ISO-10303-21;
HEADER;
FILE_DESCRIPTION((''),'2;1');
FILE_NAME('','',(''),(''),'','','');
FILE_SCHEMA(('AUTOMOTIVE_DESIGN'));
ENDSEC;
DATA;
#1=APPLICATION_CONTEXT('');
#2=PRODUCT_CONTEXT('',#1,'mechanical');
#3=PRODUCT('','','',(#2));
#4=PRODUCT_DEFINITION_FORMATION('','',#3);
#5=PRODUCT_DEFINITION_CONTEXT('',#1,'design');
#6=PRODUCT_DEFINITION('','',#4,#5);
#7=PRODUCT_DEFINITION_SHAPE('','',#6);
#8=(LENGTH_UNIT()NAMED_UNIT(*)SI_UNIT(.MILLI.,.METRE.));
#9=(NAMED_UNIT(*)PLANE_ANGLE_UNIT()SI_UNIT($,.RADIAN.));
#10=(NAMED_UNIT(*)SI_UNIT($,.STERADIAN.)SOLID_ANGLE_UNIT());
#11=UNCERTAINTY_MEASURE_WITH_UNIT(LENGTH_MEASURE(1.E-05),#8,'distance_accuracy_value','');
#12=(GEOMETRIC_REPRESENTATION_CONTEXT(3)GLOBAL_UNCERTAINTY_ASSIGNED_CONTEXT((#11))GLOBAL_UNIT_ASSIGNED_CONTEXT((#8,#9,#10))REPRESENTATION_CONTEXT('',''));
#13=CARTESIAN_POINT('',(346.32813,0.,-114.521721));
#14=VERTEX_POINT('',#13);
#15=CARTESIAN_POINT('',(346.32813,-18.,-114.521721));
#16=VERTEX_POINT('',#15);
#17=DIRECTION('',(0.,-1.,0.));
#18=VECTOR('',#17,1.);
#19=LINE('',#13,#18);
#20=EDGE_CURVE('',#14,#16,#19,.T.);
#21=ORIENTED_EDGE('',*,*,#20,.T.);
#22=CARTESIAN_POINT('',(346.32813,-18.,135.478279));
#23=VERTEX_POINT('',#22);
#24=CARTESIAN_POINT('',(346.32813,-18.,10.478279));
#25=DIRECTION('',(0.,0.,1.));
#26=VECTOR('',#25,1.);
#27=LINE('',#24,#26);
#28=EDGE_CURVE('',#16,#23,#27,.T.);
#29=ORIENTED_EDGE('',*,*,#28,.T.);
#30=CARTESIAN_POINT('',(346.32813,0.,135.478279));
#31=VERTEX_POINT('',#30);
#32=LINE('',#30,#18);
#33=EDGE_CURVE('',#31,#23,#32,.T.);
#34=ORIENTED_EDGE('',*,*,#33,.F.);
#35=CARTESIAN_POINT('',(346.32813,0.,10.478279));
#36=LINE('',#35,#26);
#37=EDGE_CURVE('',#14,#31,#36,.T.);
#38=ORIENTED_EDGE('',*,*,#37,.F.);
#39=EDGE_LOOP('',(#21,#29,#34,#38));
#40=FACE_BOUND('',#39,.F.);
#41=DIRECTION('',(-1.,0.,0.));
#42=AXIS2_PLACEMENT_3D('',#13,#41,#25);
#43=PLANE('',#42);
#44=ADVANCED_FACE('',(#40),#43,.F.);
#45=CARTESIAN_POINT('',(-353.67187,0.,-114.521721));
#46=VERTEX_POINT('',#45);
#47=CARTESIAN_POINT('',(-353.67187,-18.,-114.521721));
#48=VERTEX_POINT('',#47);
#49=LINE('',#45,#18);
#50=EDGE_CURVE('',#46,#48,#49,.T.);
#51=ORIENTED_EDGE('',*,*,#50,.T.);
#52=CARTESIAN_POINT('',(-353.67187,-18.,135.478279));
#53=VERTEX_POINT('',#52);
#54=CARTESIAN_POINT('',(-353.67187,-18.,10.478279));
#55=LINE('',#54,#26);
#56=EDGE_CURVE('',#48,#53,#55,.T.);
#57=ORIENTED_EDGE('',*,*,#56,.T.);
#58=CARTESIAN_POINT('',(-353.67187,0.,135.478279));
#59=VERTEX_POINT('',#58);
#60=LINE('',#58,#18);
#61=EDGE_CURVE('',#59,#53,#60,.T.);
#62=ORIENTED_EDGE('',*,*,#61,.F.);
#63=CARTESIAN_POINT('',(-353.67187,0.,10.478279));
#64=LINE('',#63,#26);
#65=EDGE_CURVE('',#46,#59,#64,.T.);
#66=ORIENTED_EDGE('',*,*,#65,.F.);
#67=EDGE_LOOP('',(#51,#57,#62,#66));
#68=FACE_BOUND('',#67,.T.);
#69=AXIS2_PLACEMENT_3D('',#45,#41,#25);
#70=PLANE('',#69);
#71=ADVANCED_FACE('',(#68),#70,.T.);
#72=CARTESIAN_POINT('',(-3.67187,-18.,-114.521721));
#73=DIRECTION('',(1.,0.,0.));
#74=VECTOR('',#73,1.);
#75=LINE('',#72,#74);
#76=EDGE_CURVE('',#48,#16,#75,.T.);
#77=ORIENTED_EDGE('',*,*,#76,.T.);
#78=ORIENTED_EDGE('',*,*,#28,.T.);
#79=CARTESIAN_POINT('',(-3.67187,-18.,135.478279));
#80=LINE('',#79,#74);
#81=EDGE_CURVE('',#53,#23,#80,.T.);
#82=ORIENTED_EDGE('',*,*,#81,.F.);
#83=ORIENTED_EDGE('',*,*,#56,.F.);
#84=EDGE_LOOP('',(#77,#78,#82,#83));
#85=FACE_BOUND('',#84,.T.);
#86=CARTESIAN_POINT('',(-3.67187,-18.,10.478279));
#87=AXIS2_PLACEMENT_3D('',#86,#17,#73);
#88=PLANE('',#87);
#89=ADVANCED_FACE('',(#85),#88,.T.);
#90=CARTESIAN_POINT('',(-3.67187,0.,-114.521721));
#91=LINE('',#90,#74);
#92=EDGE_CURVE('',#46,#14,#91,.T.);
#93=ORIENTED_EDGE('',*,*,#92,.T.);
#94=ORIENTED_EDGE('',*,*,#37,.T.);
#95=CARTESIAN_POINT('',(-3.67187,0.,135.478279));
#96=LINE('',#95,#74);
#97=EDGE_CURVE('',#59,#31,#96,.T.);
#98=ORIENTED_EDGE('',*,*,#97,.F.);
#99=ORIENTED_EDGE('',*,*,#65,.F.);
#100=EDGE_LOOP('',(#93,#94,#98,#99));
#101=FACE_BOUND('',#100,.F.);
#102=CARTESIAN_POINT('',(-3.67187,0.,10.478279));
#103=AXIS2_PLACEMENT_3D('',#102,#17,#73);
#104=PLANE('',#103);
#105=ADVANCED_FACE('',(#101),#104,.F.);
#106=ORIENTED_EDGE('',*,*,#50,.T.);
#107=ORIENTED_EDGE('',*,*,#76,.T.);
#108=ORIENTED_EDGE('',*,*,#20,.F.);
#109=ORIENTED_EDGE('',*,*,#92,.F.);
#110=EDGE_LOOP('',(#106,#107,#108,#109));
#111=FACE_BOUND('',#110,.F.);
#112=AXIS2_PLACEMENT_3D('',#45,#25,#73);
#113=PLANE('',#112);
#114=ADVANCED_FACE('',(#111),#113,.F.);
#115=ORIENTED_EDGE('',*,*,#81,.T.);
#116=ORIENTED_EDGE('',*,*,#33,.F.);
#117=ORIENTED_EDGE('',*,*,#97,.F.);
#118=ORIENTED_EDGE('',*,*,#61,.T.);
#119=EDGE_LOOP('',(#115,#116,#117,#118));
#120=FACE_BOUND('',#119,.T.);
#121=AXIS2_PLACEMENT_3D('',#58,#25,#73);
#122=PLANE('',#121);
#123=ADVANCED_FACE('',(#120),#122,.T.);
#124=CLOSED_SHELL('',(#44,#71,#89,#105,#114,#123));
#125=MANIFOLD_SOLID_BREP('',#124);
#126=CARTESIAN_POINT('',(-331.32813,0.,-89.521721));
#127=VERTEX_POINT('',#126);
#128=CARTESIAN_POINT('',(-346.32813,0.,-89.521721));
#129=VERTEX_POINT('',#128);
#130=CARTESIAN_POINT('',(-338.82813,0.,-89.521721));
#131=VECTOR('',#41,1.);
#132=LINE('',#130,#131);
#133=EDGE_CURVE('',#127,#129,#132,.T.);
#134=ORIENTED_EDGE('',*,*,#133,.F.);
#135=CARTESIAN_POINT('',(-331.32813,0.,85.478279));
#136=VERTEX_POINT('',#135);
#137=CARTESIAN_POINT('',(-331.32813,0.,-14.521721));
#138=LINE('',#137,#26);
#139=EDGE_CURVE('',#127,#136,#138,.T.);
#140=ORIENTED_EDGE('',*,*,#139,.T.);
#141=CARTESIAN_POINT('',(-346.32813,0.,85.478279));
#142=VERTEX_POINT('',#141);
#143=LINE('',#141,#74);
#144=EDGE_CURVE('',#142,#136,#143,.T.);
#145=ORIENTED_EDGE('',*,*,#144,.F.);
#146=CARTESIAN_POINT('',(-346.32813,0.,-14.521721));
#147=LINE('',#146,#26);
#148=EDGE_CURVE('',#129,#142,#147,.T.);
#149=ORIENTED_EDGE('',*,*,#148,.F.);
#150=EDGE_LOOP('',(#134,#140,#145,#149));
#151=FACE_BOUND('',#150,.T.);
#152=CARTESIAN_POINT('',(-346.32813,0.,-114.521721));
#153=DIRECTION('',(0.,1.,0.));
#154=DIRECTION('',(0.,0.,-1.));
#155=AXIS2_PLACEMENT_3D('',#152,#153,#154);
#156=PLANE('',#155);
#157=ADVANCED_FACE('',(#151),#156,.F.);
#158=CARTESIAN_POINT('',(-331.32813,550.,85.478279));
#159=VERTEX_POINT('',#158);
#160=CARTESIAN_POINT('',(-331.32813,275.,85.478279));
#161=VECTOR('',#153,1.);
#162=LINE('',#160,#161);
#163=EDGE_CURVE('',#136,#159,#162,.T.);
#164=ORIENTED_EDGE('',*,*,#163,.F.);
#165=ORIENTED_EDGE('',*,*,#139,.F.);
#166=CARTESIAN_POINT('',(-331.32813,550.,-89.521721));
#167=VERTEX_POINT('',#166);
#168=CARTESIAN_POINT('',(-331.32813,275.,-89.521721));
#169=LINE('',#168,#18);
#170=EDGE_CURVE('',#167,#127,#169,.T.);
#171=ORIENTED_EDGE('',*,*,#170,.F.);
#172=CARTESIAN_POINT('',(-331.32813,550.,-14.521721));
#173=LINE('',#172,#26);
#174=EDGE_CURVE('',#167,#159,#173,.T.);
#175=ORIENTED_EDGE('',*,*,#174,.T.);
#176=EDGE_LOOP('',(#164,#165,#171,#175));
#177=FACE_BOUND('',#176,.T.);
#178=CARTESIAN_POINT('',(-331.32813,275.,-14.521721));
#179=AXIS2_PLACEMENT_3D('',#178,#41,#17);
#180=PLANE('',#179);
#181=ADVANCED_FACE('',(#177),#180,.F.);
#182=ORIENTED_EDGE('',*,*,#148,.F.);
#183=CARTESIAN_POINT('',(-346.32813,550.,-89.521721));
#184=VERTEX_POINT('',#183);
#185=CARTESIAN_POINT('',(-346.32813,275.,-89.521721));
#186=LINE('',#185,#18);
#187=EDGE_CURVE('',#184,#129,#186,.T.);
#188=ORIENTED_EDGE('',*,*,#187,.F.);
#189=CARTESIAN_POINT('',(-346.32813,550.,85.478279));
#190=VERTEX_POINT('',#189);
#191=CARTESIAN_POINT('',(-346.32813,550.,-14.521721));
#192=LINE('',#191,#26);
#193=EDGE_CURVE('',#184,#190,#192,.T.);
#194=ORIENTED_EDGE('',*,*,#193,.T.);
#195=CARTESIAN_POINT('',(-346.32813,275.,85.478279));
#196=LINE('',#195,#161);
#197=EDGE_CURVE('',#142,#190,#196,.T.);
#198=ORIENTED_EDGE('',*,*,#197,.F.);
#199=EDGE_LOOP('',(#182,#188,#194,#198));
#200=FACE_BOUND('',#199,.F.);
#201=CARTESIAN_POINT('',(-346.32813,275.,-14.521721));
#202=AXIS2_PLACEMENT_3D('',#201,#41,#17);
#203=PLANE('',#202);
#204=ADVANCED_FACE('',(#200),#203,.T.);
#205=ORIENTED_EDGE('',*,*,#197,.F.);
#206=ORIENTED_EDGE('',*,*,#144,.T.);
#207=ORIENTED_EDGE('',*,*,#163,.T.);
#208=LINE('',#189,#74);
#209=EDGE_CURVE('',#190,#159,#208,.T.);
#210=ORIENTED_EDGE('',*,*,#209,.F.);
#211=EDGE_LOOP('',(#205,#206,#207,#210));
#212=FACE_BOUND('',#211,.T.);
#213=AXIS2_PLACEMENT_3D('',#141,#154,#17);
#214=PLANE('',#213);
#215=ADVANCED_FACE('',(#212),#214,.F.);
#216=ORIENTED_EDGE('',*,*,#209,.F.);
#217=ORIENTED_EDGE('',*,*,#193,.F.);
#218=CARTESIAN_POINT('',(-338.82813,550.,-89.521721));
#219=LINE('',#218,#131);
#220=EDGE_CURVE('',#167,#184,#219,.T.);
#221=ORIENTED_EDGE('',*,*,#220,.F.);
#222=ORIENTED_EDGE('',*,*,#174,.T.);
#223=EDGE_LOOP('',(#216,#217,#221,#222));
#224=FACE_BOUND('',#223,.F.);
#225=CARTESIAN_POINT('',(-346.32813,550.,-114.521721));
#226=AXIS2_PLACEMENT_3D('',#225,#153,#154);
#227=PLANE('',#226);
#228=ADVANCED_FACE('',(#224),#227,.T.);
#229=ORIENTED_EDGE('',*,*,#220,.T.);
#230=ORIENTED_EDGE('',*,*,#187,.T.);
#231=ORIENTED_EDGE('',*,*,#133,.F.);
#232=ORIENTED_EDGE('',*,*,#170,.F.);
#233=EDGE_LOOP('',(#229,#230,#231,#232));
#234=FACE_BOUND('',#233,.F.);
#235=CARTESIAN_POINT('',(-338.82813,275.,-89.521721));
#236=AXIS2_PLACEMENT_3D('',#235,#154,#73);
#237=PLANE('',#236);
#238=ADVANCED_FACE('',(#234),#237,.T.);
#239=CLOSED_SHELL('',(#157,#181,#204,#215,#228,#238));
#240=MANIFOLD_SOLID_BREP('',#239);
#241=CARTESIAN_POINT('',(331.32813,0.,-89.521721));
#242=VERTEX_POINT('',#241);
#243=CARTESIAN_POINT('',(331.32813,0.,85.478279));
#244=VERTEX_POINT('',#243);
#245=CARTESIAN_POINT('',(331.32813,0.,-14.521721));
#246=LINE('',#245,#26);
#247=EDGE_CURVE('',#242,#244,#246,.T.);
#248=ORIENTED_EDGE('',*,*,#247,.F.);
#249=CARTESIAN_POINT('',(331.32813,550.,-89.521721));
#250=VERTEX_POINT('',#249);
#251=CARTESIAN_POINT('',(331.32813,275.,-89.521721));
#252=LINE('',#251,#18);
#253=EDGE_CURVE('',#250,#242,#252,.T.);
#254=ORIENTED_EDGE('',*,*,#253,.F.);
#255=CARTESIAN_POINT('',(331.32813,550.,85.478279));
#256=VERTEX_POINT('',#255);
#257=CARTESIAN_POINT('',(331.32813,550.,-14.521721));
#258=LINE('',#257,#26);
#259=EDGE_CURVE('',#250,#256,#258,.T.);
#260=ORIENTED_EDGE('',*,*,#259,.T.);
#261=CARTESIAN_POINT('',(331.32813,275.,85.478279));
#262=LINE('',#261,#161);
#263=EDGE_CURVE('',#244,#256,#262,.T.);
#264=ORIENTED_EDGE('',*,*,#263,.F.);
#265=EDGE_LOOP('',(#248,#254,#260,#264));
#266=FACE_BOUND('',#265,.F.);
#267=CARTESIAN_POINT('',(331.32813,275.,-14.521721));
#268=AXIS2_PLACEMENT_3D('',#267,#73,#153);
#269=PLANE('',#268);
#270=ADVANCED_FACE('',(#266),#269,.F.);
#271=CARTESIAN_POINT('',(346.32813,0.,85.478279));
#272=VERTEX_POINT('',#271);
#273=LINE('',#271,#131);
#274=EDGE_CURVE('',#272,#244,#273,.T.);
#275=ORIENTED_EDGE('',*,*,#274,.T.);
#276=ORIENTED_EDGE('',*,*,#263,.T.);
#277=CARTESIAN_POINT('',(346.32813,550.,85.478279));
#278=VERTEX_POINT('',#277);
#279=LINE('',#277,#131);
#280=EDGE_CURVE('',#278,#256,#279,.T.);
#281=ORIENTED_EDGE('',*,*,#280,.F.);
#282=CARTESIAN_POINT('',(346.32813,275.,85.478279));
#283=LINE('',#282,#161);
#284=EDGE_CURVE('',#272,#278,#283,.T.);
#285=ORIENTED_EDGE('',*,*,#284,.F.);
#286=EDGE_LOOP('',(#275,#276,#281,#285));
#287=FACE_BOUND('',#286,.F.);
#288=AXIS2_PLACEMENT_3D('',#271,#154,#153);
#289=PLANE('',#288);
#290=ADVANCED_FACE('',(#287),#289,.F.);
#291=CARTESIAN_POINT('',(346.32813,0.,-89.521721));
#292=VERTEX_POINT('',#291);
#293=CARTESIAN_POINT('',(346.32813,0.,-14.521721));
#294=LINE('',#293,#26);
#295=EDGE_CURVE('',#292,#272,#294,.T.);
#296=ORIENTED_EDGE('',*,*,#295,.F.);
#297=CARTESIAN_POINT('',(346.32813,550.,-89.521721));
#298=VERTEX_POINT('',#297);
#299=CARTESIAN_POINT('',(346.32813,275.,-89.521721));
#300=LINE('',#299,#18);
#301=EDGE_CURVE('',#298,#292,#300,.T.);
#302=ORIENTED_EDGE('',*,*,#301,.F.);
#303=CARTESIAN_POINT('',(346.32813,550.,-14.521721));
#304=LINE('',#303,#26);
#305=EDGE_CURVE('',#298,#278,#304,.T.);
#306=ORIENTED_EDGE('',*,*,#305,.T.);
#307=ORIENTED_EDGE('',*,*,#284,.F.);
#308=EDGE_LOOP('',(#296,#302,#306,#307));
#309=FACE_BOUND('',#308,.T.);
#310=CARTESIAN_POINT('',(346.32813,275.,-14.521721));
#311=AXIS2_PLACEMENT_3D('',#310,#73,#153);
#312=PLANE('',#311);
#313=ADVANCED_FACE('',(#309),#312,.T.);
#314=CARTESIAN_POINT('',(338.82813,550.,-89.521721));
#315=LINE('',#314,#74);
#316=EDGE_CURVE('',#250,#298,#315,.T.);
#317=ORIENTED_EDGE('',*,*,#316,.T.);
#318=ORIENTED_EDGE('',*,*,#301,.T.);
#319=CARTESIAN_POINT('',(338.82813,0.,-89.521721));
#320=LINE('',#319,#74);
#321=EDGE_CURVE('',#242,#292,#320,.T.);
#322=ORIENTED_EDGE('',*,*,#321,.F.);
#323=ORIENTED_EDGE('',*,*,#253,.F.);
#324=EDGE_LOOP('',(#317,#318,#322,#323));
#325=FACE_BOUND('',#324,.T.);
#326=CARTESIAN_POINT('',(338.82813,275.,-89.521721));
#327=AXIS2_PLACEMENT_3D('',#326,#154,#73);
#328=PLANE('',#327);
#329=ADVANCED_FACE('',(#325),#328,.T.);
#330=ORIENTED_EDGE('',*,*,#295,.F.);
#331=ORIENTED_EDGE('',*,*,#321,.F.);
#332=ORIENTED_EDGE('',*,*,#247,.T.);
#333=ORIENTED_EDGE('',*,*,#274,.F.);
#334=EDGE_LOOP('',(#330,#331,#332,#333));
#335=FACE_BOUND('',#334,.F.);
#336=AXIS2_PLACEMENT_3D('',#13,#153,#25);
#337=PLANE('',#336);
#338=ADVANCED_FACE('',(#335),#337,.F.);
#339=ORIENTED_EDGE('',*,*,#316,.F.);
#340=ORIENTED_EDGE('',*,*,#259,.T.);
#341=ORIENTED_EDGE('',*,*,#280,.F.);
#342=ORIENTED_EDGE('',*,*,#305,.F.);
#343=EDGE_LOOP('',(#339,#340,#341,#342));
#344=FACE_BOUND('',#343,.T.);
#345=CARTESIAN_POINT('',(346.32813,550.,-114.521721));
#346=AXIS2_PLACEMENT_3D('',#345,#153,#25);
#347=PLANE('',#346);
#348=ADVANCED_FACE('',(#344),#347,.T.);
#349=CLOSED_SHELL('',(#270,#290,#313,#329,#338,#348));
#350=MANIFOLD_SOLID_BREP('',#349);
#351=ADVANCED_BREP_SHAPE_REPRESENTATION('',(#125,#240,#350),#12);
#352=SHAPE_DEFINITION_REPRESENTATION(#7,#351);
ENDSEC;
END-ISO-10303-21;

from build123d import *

# Parameters (mm, degrees)
F0_W      = 700
F0_H      = 250
F1_DEPTH  = 18
F2_W      = 550
F2_H      = 200
F3_DEPTH  = 15
F3_FACE_W = 15
F3_FACE_H = 550
F4_DEPTH  = 25


with BuildPart() as f1:
    # F0 (on Front) → F1 (new body)
    with BuildSketch(Plane.XZ):
        with Locations((-3.67187, 10.478279)):
            Rectangle(F0_W, F0_H)
    extrude(amount=F1_DEPTH)


with BuildPart() as f3:
    # F2 (on face) → F3 (new body)
    with BuildSketch(Plane.YZ.offset(346.32813)):
        with Locations((275, -14.521721)):
            Rectangle(F2_W, F2_H)
    extrude(amount=-F3_DEPTH)

    # F3_face (on face) → F4 (cut)
    with BuildSketch(Plane(origin=(338.82813, 275, -114.521721), x_dir=(1, 0, 0), z_dir=(0, 0, -1))):
        Rectangle(F3_FACE_W, F3_FACE_H)
    extrude(amount=-F4_DEPTH, mode=Mode.SUBTRACT)


with BuildPart() as f5_1:
    # F5: instance of F3
    add(f3.part.mirror(Plane.YZ))


solid = Compound([f1.part, f3.part, f5_1.part])
